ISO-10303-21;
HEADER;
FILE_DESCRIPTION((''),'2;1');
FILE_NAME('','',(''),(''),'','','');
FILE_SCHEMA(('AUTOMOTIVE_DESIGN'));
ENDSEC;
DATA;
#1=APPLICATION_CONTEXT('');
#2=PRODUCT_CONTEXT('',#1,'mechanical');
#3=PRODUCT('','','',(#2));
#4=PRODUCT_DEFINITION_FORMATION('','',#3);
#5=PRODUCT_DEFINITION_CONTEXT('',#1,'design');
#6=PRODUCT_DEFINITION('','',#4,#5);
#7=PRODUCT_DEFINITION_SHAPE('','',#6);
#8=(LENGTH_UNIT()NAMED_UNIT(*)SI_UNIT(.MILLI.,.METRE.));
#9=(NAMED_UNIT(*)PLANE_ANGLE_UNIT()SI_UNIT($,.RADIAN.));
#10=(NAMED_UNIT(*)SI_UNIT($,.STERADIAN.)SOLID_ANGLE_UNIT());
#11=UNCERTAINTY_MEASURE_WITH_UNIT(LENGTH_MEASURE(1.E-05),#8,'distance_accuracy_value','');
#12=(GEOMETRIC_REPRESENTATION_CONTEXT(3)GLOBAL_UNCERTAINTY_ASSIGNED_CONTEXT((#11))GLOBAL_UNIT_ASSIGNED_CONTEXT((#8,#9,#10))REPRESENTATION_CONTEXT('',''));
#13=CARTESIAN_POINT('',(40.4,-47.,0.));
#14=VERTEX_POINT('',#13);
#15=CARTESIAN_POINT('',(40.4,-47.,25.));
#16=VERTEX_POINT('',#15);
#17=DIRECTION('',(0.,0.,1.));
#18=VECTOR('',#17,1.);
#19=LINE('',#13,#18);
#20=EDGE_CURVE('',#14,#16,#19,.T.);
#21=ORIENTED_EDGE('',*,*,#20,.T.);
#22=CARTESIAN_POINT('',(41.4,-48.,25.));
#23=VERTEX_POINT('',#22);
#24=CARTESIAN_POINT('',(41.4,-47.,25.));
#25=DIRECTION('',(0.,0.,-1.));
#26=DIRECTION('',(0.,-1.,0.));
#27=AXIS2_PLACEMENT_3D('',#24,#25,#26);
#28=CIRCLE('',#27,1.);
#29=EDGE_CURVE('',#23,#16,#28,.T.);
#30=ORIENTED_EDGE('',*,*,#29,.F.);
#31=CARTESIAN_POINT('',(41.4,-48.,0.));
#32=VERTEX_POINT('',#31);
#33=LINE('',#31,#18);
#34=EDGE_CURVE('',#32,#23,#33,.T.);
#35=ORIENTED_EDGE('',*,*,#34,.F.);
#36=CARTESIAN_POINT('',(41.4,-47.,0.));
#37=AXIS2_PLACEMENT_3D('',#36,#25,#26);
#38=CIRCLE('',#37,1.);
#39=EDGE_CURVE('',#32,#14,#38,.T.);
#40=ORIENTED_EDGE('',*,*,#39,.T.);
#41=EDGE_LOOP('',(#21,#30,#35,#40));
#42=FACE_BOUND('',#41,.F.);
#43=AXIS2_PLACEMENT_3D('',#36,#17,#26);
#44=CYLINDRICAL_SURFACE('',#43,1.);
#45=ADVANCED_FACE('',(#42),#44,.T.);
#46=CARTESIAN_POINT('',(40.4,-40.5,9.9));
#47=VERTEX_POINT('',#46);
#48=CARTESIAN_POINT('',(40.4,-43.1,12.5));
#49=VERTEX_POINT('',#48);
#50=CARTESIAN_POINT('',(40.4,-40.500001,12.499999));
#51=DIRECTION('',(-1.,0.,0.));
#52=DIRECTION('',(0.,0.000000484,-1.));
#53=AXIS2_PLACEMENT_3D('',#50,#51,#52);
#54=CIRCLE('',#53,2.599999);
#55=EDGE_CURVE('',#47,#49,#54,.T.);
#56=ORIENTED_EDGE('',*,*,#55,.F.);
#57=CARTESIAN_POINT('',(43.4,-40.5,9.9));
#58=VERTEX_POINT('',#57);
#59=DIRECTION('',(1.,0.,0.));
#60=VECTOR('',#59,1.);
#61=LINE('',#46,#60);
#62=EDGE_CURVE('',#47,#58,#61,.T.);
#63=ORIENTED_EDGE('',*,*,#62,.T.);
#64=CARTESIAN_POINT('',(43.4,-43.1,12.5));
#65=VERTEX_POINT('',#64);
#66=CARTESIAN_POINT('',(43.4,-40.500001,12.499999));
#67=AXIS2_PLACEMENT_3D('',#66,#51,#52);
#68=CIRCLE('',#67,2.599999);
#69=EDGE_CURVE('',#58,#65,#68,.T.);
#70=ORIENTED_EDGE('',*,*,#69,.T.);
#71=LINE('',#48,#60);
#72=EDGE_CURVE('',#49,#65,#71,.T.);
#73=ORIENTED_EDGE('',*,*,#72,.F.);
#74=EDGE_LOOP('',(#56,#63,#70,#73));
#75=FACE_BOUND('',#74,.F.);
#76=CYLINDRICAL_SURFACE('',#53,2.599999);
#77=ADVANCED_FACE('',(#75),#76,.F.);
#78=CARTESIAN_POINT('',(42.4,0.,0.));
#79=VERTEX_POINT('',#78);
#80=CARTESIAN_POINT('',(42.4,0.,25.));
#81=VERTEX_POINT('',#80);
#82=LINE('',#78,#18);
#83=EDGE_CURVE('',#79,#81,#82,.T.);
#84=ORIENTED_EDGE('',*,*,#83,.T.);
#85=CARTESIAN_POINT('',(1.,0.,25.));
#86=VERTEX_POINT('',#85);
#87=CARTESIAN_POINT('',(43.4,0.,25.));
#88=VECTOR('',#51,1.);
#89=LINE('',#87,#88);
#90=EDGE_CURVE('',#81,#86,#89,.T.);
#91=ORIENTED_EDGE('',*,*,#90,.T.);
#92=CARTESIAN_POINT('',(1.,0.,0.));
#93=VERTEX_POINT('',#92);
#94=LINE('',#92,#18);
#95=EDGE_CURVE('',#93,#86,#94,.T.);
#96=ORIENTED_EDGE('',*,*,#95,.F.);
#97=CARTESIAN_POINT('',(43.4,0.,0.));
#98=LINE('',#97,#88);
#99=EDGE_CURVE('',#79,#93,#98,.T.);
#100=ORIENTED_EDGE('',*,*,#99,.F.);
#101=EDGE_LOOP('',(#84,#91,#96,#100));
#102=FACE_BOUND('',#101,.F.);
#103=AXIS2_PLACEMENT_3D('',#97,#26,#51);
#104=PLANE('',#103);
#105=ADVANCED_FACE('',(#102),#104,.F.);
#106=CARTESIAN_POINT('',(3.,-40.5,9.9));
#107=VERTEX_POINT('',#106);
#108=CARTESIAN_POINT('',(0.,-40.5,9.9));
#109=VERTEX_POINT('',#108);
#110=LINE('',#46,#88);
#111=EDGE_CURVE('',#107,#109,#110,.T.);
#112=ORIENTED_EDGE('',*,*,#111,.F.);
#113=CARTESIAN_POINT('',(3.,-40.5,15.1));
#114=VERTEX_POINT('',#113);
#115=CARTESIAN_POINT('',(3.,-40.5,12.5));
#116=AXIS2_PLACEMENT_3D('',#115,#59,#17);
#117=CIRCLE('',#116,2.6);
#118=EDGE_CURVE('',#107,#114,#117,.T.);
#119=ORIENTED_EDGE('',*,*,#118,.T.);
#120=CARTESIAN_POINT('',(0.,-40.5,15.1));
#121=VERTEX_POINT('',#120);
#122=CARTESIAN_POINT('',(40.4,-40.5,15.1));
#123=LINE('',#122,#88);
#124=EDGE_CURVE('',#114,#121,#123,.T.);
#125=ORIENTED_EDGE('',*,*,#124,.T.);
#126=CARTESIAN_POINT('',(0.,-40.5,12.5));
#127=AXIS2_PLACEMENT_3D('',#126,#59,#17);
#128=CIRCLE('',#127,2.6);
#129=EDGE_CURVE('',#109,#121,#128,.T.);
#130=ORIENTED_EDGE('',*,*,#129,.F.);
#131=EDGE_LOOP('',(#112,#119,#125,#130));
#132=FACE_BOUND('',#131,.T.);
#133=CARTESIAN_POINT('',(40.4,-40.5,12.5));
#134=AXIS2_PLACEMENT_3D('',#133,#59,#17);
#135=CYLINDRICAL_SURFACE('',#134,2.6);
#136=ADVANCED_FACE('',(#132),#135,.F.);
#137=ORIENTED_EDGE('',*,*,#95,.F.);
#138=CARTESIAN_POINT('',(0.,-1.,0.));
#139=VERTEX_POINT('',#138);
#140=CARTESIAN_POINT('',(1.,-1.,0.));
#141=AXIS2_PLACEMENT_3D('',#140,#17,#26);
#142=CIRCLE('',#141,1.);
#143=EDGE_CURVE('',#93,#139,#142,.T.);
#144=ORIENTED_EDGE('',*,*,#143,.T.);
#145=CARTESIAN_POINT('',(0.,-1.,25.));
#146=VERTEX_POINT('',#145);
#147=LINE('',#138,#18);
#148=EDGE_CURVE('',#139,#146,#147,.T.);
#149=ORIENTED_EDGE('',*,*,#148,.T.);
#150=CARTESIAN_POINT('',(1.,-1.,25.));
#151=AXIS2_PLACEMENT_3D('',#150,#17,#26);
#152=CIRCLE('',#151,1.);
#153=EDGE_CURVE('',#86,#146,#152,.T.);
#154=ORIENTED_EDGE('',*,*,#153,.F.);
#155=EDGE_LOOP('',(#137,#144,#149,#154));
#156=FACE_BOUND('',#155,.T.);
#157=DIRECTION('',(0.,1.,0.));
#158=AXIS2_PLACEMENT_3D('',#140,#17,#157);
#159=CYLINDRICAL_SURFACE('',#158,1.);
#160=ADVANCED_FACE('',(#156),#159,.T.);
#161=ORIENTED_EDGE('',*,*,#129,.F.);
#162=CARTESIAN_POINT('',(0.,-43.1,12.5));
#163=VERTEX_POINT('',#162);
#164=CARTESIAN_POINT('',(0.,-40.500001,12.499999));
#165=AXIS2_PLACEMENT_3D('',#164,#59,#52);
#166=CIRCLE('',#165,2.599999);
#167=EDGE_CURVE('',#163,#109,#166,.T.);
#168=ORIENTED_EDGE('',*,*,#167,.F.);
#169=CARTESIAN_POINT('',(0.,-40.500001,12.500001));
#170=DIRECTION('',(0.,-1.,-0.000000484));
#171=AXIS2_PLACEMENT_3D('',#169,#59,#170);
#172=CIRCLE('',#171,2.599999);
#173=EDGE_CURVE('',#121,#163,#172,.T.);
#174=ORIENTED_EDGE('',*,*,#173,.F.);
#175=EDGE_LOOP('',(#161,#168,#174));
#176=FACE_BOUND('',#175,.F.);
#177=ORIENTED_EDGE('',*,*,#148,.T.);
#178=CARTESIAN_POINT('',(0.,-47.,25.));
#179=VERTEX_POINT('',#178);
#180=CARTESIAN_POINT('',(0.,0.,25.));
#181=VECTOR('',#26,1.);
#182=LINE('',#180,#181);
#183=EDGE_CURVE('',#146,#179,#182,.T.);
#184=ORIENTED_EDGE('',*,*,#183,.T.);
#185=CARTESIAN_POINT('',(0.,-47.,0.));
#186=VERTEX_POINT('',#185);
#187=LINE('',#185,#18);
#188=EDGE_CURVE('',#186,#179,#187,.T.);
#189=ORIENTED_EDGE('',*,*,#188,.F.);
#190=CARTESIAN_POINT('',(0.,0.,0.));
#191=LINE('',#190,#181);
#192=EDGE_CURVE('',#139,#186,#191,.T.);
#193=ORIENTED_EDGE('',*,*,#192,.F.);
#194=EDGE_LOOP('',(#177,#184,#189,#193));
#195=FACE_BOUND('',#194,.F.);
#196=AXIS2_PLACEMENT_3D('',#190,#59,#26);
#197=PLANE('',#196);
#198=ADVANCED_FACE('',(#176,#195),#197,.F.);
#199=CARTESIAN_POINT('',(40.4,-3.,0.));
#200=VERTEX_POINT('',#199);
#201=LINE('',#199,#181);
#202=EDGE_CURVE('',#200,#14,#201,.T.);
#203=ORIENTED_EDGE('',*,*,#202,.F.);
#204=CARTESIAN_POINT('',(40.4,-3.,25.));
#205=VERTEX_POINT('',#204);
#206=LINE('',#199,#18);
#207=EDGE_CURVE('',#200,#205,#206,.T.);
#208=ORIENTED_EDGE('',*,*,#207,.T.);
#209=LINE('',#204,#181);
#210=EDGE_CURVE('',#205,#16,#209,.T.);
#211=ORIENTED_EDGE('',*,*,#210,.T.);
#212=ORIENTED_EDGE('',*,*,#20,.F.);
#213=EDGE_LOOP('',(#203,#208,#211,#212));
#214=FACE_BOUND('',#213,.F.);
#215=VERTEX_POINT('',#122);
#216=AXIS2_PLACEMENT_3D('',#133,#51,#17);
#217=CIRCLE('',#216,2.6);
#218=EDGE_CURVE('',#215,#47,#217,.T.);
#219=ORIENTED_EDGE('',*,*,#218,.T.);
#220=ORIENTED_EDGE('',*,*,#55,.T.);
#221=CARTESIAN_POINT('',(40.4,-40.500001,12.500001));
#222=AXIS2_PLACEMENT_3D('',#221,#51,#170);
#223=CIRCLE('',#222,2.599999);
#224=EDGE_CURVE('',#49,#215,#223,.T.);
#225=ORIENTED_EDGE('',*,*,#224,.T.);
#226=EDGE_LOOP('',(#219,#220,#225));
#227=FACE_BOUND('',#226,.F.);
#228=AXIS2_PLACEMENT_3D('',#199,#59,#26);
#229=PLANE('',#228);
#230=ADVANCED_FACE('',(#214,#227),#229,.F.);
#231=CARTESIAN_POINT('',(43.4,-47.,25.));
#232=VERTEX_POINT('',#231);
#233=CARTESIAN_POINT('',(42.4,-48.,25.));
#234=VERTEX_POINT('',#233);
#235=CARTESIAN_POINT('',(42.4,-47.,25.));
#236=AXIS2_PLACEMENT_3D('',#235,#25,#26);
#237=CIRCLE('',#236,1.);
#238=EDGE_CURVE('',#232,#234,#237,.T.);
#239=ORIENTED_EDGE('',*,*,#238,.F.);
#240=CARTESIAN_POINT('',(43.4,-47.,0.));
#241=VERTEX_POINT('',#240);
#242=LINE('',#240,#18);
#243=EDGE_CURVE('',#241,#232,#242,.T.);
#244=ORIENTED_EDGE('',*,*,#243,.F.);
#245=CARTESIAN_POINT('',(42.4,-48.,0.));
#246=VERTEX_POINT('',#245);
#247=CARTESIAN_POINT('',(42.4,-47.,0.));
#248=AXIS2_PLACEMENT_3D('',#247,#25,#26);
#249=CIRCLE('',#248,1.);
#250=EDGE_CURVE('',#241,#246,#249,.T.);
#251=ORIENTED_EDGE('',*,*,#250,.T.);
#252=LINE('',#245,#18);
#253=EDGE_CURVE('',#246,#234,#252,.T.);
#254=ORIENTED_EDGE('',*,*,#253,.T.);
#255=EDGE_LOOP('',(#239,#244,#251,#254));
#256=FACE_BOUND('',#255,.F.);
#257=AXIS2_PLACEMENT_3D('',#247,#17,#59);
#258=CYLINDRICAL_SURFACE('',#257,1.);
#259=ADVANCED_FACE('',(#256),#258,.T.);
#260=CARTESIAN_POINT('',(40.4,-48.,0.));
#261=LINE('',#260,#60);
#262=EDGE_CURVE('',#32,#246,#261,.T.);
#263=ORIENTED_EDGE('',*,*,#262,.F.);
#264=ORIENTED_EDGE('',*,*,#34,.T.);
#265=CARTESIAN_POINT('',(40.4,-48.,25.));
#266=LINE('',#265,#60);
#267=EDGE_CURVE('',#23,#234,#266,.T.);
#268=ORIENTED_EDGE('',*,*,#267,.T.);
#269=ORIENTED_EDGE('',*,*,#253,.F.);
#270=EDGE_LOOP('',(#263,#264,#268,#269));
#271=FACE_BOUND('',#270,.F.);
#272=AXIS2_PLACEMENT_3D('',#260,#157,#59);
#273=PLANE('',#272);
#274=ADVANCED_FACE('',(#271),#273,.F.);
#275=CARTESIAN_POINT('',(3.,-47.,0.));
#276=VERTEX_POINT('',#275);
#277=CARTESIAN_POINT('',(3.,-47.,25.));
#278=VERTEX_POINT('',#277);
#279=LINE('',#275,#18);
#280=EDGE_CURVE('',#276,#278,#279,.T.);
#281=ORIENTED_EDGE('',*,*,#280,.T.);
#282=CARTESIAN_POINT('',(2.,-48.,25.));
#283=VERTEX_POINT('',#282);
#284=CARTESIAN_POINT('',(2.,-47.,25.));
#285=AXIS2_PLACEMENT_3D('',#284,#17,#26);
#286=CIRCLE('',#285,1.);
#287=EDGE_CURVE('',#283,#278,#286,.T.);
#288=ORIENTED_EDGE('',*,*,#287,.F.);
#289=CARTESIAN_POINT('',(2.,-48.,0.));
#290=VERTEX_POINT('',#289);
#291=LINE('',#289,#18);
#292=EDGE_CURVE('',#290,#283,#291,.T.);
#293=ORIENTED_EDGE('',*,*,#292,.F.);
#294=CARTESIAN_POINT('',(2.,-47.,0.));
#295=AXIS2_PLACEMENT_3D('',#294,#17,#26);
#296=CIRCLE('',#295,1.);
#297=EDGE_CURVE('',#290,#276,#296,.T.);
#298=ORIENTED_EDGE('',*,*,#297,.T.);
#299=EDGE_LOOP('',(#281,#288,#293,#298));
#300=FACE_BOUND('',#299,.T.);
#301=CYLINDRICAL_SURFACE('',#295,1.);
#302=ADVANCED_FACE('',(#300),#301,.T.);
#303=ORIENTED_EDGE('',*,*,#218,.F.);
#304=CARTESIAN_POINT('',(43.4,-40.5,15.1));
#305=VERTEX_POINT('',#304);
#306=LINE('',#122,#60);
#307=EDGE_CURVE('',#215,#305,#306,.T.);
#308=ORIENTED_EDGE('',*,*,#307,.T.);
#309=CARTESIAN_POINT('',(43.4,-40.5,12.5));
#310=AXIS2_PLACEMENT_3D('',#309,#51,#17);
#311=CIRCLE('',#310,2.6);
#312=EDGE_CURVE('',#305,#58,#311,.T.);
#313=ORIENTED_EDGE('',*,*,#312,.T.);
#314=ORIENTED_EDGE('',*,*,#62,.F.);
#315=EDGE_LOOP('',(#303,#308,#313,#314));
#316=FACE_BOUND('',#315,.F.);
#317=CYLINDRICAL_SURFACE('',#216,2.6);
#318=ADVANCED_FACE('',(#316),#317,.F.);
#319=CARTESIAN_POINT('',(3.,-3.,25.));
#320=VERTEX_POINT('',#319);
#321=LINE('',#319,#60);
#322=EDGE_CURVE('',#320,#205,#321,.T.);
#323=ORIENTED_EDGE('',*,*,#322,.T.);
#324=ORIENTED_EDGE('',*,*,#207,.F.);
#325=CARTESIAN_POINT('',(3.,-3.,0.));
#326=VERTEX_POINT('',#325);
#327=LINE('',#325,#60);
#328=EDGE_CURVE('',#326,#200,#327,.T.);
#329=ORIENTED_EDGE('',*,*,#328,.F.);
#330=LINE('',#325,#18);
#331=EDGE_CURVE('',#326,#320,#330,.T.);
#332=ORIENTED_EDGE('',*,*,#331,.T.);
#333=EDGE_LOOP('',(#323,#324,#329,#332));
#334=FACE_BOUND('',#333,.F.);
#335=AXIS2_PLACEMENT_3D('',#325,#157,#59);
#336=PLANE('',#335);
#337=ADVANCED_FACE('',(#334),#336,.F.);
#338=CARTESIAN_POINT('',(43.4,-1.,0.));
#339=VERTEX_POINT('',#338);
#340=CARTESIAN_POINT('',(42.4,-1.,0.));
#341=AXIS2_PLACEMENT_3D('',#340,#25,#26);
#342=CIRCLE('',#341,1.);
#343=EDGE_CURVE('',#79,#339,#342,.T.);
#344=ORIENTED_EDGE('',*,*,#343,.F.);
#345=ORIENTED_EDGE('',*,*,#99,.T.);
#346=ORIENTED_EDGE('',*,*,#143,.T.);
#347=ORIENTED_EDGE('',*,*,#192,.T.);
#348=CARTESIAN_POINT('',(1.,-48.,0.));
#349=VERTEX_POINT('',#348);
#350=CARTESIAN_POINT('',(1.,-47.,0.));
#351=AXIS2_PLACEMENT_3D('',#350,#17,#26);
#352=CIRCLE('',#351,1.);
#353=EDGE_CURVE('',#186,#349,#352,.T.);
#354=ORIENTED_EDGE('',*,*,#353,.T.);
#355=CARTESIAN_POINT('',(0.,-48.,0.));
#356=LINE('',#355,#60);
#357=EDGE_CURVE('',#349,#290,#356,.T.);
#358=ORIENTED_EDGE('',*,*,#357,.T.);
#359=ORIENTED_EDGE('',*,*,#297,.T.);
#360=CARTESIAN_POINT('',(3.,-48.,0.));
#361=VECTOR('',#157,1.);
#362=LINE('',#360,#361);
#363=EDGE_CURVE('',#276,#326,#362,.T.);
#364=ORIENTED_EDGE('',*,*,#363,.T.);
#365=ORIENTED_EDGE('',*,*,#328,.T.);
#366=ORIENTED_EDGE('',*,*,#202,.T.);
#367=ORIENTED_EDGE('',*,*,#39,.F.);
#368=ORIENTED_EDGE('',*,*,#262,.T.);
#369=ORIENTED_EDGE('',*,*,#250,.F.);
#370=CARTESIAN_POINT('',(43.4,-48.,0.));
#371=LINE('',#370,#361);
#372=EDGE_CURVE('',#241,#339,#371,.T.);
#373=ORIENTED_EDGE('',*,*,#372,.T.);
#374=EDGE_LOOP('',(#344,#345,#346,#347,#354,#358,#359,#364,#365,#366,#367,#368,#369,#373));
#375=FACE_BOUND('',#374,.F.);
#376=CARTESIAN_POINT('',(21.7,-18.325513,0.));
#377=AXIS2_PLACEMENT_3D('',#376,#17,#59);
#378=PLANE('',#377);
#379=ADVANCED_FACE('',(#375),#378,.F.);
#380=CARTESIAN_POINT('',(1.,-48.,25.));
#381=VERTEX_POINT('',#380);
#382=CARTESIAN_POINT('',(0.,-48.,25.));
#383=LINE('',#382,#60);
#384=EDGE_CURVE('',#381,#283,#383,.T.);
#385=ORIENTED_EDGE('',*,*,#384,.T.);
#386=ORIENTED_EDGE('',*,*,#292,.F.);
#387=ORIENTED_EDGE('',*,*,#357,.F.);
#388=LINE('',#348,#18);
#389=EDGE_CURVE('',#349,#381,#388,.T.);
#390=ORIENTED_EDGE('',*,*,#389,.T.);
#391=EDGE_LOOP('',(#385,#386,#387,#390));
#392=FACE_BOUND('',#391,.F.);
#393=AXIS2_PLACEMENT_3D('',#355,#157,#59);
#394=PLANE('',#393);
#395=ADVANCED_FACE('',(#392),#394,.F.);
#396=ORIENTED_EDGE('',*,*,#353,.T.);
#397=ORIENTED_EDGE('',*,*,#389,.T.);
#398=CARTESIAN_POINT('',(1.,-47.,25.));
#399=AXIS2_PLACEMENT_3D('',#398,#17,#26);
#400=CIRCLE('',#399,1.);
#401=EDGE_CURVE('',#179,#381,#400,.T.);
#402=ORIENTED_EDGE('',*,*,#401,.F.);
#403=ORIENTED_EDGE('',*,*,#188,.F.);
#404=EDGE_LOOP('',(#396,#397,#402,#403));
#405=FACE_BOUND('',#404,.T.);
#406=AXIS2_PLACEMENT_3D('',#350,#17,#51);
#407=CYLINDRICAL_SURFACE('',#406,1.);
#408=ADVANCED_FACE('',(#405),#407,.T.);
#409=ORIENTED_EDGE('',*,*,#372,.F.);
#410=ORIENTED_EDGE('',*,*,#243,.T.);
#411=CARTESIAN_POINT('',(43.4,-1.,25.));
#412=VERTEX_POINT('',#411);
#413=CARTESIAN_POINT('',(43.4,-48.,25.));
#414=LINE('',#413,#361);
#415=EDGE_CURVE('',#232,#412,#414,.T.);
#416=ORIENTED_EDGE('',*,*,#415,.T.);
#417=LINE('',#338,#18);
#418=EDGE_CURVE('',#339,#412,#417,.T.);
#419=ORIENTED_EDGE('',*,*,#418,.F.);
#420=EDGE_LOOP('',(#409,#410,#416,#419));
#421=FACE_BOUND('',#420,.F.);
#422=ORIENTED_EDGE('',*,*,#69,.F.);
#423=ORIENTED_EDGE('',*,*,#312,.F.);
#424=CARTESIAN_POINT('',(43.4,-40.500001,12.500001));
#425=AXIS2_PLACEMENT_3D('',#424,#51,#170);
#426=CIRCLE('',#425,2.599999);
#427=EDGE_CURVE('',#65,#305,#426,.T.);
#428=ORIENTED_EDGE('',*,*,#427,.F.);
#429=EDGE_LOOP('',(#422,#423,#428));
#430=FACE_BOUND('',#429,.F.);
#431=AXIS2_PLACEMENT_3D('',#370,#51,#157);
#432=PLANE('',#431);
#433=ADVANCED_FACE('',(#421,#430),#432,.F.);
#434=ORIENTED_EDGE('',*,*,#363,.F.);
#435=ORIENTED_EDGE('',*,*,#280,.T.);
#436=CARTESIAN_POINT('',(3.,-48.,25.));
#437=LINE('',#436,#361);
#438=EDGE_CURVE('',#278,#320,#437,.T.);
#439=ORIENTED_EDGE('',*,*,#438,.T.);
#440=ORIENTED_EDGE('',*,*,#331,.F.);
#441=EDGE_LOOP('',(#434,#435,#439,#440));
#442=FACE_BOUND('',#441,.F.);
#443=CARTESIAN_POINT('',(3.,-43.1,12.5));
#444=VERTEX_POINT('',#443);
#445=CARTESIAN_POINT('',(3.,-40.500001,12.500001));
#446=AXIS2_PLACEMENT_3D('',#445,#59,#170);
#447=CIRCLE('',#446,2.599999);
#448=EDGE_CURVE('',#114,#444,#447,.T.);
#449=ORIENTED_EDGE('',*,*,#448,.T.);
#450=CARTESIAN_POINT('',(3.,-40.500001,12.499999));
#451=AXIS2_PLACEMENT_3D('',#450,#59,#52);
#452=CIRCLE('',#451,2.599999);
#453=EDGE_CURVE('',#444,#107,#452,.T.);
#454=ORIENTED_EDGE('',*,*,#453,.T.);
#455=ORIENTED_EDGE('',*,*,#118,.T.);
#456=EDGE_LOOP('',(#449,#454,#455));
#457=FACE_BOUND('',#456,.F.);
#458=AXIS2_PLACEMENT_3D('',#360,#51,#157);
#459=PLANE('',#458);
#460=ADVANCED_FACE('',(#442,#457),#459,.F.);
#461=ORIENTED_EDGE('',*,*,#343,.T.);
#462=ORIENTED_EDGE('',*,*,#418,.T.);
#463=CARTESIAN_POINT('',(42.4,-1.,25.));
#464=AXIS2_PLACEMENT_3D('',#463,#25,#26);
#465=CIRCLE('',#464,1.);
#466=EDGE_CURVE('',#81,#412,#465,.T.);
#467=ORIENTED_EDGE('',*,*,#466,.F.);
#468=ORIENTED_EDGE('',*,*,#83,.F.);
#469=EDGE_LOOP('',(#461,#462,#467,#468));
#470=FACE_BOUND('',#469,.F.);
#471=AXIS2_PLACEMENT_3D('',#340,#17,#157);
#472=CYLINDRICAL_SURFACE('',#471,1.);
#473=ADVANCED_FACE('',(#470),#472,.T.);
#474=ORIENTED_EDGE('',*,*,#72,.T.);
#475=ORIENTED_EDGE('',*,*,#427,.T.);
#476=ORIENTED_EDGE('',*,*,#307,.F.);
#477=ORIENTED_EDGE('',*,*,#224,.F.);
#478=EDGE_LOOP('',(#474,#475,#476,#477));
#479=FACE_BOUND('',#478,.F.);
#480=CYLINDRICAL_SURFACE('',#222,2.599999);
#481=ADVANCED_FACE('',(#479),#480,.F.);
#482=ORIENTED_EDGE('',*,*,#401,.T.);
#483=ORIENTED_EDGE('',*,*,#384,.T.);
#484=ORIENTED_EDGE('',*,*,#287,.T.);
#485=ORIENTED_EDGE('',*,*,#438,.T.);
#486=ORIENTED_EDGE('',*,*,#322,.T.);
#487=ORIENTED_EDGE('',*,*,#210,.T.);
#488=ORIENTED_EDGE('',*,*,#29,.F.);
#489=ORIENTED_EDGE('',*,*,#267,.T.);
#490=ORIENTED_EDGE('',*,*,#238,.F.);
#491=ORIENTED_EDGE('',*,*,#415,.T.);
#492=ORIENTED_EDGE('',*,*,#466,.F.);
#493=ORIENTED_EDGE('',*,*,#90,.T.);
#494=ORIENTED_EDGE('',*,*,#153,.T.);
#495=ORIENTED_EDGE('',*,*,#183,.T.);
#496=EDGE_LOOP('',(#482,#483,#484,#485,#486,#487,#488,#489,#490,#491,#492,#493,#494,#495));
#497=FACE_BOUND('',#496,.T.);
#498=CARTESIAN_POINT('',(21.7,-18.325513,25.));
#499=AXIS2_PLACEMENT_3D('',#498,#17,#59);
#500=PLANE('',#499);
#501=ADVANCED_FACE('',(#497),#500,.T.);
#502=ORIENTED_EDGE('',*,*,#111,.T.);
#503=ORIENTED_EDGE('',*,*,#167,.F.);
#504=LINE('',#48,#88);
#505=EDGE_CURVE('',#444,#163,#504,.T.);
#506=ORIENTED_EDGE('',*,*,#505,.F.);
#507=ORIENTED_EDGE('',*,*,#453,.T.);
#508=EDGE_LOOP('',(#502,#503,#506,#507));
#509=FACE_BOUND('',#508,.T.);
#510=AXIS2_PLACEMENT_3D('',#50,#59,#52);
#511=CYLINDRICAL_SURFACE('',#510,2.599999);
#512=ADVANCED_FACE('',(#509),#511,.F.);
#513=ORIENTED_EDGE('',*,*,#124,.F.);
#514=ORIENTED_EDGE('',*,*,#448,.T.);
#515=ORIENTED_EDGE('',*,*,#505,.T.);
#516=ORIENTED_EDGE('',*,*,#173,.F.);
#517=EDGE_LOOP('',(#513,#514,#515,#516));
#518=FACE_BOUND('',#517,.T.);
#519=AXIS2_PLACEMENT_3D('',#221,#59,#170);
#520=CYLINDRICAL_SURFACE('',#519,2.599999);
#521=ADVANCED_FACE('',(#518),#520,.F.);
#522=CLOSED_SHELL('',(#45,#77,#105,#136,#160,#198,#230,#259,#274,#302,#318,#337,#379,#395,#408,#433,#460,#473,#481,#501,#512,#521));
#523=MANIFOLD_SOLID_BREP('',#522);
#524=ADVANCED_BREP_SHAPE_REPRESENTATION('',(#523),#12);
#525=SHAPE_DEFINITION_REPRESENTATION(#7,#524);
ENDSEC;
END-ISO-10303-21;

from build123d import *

# Parameters (mm, degrees)
F1_DEPTH      = 25
F3_DEPTH      = 40.401
F3_DEPTH_BACK = 25
F4_R          = 1
F5_R          = 1


with BuildPart() as f1:
    # F0 (on Top) → F1 (new body)
    with BuildSketch(Plane.XY):
        Polygon((43.4, 0), (0, 0), (0, -48), (3, -48), (3, -3), (40.4, -3), (40.4, -48), (43.4, -48), align=None)
    extrude(amount=F1_DEPTH)

    # F2 (on face) → F3 (cut, two sides)
    with BuildSketch(Plane(origin=(40.4, 0, 0), x_dir=(0, -1, 0), z_dir=(-1, 0, 0))) as f3_sk:
        with BuildLine():
            Line((40.5, 12.5), (40.5, 15.1))
            ThreePointArc((40.5, 15.1), (37.9, 12.5), (40.5, 9.9))
            Line((40.5, 9.9), (40.5, 12.5))
        make_face()
        with BuildLine():
            ThreePointArc((43.1, 12.5), (42.338478, 14.338478), (40.5, 15.1))
            Line((40.5, 15.1), (40.5, 12.5))
            Line((40.5, 12.5), (40.5, 9.9))
            ThreePointArc((40.5, 9.9), (42.338478, 10.661522), (43.1, 12.5))
        make_face()
    extrude(amount=F3_DEPTH, mode=Mode.SUBTRACT)
    extrude(f3_sk.sketch, amount=-F3_DEPTH_BACK, mode=Mode.SUBTRACT)

    # F4
    f4_edges = [f1.edges().sort_by_distance(p)[0] for p in [
        (0, -48, 12.5),
        (3, -48, 12.5),
        (40.4, -48, 12.5),
        (43.4, -48, 12.5),
        (0, 0, 12.5),
    ]]
    fillet(f4_edges, radius=F4_R)

    # F5
    f5_edges = [f1.edges().sort_by_distance(p)[0] for p in [
        (43.4, 0, 12.5),
    ]]
    fillet(f5_edges, radius=F5_R)


solid = f1.part
